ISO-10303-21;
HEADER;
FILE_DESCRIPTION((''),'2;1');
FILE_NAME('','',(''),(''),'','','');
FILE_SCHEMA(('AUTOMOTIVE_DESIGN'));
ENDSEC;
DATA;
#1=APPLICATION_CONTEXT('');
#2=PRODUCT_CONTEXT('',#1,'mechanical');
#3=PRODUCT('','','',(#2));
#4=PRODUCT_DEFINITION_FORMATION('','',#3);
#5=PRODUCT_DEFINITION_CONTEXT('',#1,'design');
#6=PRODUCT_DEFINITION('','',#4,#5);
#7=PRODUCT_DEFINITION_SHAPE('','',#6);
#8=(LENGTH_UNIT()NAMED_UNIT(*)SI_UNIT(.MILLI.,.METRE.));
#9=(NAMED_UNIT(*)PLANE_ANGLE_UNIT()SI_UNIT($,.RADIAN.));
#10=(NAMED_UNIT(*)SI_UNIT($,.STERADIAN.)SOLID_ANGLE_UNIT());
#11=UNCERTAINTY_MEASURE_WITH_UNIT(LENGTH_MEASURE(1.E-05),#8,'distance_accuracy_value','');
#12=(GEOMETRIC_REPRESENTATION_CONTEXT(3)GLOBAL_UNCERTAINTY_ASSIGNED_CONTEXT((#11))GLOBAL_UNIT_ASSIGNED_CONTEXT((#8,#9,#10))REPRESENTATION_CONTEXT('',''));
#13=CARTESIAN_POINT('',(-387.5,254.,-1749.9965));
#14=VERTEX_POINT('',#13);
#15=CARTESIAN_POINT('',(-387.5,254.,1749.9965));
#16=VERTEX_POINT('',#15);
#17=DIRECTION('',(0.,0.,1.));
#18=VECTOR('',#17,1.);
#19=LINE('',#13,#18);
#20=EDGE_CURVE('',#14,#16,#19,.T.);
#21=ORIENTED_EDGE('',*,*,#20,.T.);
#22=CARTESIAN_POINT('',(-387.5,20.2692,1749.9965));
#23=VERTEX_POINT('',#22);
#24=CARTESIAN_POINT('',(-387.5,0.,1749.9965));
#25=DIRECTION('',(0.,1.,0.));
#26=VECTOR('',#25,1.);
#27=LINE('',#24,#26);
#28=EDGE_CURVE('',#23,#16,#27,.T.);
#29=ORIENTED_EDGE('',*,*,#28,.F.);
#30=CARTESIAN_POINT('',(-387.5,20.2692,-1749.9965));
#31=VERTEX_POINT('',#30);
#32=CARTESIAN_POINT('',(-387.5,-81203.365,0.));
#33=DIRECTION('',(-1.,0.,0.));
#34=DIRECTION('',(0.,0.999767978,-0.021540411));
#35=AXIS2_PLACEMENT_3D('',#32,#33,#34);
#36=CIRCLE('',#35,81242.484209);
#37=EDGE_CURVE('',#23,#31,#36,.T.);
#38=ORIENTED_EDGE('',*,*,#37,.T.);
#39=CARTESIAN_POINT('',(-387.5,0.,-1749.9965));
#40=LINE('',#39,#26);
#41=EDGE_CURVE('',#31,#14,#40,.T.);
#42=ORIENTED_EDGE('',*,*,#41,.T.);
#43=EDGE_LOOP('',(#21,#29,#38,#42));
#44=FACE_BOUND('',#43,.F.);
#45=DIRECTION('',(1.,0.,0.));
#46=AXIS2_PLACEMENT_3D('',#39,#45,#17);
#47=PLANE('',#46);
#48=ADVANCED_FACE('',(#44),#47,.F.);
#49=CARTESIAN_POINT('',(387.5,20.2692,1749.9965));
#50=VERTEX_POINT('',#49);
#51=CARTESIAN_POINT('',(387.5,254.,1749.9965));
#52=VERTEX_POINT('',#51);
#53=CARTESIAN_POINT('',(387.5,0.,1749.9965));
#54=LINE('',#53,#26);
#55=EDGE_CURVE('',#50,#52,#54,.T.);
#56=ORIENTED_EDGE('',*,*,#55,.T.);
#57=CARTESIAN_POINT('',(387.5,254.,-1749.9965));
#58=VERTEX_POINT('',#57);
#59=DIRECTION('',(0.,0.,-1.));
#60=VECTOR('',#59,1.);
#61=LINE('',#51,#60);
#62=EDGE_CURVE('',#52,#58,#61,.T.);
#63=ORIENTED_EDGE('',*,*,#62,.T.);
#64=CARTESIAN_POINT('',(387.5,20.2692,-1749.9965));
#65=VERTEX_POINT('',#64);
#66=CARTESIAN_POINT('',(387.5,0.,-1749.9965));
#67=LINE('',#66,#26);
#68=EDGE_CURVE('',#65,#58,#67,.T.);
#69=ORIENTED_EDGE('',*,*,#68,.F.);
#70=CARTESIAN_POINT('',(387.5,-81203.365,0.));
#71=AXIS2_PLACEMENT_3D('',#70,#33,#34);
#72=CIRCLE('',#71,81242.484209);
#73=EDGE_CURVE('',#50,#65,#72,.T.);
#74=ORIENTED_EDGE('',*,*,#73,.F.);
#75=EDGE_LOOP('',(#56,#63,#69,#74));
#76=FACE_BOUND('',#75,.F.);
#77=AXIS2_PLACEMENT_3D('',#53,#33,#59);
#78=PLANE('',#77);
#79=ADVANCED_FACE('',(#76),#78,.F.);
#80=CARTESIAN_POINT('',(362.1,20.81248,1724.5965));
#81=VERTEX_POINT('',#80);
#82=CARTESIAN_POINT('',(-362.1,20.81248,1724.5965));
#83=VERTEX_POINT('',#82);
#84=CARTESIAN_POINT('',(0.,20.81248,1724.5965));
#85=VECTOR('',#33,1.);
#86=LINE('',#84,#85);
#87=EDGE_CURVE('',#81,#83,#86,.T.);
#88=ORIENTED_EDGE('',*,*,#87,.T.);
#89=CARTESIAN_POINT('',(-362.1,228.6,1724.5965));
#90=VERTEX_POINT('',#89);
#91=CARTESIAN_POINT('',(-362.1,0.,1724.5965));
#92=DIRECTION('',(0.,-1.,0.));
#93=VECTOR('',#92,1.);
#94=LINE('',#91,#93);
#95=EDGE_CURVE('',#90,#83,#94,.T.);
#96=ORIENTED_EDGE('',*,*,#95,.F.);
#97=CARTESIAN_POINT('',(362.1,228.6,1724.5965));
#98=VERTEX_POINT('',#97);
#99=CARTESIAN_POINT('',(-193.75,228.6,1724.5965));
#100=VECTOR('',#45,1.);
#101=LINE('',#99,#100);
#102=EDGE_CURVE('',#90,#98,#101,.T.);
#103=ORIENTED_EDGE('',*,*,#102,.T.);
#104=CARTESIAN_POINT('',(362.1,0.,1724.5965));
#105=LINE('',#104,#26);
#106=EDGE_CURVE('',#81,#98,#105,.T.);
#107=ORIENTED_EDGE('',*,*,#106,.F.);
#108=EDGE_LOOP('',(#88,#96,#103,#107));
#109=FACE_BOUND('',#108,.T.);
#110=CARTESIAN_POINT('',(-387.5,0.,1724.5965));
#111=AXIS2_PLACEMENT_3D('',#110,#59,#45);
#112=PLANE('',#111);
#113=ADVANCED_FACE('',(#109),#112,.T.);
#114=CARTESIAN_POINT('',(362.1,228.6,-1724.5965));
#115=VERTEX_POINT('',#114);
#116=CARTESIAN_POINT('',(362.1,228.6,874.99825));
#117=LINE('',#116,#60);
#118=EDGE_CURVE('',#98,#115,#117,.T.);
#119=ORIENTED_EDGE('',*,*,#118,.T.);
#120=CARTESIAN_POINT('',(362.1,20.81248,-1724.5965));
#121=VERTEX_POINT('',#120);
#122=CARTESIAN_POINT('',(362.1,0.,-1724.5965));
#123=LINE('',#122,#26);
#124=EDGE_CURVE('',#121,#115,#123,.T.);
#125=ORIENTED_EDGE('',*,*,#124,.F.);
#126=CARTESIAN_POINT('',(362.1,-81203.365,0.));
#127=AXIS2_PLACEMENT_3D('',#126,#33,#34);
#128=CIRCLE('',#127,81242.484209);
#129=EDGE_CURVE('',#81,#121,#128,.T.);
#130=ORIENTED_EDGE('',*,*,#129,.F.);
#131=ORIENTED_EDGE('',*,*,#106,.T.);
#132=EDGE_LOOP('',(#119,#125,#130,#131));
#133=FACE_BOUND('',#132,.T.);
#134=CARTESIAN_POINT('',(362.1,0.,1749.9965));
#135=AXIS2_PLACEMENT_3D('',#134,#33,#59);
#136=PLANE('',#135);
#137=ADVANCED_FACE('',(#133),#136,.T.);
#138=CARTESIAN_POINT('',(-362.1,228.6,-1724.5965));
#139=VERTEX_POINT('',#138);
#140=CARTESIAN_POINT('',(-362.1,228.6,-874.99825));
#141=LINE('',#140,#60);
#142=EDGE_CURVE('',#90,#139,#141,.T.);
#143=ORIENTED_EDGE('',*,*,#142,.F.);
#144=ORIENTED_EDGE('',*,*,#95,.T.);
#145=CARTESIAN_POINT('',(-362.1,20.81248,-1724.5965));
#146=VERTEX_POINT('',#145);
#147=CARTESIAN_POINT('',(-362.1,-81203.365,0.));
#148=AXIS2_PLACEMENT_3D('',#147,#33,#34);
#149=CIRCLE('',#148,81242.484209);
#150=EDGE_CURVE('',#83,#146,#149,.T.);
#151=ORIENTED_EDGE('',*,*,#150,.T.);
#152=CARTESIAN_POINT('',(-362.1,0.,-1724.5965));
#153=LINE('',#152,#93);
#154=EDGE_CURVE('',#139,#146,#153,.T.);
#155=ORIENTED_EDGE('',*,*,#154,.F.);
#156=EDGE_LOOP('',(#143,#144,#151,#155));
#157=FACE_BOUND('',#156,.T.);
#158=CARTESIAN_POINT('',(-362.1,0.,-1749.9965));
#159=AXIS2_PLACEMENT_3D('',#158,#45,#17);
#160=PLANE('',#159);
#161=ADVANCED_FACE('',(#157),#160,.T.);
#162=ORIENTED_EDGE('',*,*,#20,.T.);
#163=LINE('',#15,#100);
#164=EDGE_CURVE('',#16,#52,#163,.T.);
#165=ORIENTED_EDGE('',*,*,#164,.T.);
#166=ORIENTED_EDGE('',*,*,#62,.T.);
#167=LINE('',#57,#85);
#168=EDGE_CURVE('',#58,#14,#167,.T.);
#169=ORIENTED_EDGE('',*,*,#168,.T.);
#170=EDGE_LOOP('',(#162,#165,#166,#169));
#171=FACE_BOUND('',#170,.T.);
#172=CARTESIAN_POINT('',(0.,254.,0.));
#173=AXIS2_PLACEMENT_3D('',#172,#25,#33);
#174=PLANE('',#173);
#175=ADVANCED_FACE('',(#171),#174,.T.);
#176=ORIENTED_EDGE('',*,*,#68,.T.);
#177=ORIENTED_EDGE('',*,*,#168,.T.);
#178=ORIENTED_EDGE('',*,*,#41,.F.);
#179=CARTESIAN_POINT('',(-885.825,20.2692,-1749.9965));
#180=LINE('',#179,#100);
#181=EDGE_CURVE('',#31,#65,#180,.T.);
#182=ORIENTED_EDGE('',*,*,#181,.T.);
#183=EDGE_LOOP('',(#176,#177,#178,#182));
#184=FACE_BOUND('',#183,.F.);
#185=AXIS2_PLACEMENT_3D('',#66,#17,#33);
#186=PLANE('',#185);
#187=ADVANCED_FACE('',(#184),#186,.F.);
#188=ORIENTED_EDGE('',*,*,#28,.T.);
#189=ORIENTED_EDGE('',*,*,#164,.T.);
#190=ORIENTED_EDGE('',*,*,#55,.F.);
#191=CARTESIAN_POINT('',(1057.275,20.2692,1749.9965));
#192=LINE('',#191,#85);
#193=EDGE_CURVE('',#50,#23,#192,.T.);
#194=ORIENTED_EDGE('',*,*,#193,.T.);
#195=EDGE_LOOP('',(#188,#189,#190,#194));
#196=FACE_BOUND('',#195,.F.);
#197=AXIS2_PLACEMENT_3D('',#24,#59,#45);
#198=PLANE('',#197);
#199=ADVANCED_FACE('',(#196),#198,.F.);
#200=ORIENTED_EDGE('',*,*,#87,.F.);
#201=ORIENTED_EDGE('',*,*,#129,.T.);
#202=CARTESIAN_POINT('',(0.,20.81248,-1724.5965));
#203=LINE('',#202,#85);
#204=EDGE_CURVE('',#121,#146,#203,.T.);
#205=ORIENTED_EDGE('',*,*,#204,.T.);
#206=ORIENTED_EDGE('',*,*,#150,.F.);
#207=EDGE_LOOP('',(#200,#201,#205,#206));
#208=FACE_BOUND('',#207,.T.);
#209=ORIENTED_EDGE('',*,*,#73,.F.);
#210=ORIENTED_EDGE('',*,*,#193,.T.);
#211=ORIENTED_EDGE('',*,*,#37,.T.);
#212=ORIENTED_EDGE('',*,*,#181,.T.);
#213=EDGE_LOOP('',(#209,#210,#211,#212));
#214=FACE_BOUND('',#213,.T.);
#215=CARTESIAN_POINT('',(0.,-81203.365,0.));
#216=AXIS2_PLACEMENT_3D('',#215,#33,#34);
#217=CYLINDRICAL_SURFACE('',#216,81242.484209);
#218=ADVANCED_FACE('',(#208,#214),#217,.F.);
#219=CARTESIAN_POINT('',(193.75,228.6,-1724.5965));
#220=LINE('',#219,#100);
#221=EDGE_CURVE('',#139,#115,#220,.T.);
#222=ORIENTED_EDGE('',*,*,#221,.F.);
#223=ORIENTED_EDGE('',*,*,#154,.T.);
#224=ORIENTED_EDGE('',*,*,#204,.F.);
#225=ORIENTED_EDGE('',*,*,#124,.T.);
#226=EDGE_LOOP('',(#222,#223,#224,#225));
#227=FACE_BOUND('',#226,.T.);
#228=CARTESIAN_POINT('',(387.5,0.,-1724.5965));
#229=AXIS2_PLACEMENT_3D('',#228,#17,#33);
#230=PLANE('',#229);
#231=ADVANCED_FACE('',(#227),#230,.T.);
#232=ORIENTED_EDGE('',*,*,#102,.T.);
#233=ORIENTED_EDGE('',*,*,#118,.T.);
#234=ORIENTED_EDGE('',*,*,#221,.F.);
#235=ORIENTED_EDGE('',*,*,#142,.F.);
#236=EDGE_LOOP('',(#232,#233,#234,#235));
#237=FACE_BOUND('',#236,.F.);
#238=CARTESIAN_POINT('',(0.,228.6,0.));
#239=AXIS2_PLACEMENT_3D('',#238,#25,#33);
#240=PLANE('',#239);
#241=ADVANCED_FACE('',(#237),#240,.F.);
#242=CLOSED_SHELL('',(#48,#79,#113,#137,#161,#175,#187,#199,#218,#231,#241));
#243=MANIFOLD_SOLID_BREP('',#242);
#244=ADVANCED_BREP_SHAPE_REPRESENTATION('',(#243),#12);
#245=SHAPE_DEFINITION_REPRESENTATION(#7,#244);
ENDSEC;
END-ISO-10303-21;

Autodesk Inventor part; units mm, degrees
ref_plane "YZ Plane" through (0, 0, 0) normal (1, 0, 0) x (0, 1, 0)
ref_plane "XZ Plane" through (0, 0, 0) normal (0, 1, 0) x (-1, 0, 0)
ref_plane "XY Plane" through (0, 0, 0) normal (0, 0, 1) x (1, 0, 0)
sketch "Sketch1" plane through (0, 0, 0) normal (0, 1, 0) x (-1, 0, 0)
  line L0 (387.5, 1749.9965) -> (-387.5, 1749.9965)
  line L1 (-387.5, 1749.9965) -> (-387.5, -1749.9965)
  line L2 (-387.5, -1749.9965) -> (387.5, -1749.9965)
  line L3 (387.5, -1749.9965) -> (387.5, 1749.9965)
  point P0 (0, 0)
  dimension "d0" = 3499.993
  dimension "d2" = 775
extrude "Extrusion1" add sketch "Sketch1" along normal blind 254
sketch "Sketch2" plane through (0, 0, 0) normal (1, 0, 0) x (0, 1, 0)
  arc A0 (20.2692, -1749.9965) -> (20.2692, 1749.9965) centre (-81203.365, 0) ccw
  line L0 (0, 1749.9965) -> (0, -1749.9965) projected
  line L1 (254, -1749.9965) -> (254, 1749.9965) projected
  line L2 (20.2692, 1749.9965) -> (20.2692, -1749.9965)
  line L3 (20.2692, 1749.9965) -> (0, 1749.9965)
  point P0 (0, 0)
  dimension "d5" = 81242.4842
  dimension "d6" = 3499.993
  dimension "d7" = 233.7308
  dimension "d10" = 233.7308
extrude "Extrusion2" cut sketch "Sketch2" along normal blind 1057.275 and the other way blind 885.825
sketch "Sketch4" plane through (-387.5, 0, -1749.9965) normal (-1, 0, 0) x (0, 0, 1)
  line L0 (0, 0) -> (3499.993, 0) projected
  line L1 (3499.993, 20.2692) -> (0, 20.2692) projected
  line L2 (3499.993, 0) -> (3499.993, 20.2692) projected
  line L3 (0, 0) -> (0, 20.2692) projected
  point P0 (1749.9965, 0)
extrude "Extrusion3" cut sketch "Sketch4" against normal through all
shell "Shell1" thickness 25.4 removed faces 1 at (129.1667, 22.9583, -1620.385)
properties part number "CessAssemBatteryipt"
